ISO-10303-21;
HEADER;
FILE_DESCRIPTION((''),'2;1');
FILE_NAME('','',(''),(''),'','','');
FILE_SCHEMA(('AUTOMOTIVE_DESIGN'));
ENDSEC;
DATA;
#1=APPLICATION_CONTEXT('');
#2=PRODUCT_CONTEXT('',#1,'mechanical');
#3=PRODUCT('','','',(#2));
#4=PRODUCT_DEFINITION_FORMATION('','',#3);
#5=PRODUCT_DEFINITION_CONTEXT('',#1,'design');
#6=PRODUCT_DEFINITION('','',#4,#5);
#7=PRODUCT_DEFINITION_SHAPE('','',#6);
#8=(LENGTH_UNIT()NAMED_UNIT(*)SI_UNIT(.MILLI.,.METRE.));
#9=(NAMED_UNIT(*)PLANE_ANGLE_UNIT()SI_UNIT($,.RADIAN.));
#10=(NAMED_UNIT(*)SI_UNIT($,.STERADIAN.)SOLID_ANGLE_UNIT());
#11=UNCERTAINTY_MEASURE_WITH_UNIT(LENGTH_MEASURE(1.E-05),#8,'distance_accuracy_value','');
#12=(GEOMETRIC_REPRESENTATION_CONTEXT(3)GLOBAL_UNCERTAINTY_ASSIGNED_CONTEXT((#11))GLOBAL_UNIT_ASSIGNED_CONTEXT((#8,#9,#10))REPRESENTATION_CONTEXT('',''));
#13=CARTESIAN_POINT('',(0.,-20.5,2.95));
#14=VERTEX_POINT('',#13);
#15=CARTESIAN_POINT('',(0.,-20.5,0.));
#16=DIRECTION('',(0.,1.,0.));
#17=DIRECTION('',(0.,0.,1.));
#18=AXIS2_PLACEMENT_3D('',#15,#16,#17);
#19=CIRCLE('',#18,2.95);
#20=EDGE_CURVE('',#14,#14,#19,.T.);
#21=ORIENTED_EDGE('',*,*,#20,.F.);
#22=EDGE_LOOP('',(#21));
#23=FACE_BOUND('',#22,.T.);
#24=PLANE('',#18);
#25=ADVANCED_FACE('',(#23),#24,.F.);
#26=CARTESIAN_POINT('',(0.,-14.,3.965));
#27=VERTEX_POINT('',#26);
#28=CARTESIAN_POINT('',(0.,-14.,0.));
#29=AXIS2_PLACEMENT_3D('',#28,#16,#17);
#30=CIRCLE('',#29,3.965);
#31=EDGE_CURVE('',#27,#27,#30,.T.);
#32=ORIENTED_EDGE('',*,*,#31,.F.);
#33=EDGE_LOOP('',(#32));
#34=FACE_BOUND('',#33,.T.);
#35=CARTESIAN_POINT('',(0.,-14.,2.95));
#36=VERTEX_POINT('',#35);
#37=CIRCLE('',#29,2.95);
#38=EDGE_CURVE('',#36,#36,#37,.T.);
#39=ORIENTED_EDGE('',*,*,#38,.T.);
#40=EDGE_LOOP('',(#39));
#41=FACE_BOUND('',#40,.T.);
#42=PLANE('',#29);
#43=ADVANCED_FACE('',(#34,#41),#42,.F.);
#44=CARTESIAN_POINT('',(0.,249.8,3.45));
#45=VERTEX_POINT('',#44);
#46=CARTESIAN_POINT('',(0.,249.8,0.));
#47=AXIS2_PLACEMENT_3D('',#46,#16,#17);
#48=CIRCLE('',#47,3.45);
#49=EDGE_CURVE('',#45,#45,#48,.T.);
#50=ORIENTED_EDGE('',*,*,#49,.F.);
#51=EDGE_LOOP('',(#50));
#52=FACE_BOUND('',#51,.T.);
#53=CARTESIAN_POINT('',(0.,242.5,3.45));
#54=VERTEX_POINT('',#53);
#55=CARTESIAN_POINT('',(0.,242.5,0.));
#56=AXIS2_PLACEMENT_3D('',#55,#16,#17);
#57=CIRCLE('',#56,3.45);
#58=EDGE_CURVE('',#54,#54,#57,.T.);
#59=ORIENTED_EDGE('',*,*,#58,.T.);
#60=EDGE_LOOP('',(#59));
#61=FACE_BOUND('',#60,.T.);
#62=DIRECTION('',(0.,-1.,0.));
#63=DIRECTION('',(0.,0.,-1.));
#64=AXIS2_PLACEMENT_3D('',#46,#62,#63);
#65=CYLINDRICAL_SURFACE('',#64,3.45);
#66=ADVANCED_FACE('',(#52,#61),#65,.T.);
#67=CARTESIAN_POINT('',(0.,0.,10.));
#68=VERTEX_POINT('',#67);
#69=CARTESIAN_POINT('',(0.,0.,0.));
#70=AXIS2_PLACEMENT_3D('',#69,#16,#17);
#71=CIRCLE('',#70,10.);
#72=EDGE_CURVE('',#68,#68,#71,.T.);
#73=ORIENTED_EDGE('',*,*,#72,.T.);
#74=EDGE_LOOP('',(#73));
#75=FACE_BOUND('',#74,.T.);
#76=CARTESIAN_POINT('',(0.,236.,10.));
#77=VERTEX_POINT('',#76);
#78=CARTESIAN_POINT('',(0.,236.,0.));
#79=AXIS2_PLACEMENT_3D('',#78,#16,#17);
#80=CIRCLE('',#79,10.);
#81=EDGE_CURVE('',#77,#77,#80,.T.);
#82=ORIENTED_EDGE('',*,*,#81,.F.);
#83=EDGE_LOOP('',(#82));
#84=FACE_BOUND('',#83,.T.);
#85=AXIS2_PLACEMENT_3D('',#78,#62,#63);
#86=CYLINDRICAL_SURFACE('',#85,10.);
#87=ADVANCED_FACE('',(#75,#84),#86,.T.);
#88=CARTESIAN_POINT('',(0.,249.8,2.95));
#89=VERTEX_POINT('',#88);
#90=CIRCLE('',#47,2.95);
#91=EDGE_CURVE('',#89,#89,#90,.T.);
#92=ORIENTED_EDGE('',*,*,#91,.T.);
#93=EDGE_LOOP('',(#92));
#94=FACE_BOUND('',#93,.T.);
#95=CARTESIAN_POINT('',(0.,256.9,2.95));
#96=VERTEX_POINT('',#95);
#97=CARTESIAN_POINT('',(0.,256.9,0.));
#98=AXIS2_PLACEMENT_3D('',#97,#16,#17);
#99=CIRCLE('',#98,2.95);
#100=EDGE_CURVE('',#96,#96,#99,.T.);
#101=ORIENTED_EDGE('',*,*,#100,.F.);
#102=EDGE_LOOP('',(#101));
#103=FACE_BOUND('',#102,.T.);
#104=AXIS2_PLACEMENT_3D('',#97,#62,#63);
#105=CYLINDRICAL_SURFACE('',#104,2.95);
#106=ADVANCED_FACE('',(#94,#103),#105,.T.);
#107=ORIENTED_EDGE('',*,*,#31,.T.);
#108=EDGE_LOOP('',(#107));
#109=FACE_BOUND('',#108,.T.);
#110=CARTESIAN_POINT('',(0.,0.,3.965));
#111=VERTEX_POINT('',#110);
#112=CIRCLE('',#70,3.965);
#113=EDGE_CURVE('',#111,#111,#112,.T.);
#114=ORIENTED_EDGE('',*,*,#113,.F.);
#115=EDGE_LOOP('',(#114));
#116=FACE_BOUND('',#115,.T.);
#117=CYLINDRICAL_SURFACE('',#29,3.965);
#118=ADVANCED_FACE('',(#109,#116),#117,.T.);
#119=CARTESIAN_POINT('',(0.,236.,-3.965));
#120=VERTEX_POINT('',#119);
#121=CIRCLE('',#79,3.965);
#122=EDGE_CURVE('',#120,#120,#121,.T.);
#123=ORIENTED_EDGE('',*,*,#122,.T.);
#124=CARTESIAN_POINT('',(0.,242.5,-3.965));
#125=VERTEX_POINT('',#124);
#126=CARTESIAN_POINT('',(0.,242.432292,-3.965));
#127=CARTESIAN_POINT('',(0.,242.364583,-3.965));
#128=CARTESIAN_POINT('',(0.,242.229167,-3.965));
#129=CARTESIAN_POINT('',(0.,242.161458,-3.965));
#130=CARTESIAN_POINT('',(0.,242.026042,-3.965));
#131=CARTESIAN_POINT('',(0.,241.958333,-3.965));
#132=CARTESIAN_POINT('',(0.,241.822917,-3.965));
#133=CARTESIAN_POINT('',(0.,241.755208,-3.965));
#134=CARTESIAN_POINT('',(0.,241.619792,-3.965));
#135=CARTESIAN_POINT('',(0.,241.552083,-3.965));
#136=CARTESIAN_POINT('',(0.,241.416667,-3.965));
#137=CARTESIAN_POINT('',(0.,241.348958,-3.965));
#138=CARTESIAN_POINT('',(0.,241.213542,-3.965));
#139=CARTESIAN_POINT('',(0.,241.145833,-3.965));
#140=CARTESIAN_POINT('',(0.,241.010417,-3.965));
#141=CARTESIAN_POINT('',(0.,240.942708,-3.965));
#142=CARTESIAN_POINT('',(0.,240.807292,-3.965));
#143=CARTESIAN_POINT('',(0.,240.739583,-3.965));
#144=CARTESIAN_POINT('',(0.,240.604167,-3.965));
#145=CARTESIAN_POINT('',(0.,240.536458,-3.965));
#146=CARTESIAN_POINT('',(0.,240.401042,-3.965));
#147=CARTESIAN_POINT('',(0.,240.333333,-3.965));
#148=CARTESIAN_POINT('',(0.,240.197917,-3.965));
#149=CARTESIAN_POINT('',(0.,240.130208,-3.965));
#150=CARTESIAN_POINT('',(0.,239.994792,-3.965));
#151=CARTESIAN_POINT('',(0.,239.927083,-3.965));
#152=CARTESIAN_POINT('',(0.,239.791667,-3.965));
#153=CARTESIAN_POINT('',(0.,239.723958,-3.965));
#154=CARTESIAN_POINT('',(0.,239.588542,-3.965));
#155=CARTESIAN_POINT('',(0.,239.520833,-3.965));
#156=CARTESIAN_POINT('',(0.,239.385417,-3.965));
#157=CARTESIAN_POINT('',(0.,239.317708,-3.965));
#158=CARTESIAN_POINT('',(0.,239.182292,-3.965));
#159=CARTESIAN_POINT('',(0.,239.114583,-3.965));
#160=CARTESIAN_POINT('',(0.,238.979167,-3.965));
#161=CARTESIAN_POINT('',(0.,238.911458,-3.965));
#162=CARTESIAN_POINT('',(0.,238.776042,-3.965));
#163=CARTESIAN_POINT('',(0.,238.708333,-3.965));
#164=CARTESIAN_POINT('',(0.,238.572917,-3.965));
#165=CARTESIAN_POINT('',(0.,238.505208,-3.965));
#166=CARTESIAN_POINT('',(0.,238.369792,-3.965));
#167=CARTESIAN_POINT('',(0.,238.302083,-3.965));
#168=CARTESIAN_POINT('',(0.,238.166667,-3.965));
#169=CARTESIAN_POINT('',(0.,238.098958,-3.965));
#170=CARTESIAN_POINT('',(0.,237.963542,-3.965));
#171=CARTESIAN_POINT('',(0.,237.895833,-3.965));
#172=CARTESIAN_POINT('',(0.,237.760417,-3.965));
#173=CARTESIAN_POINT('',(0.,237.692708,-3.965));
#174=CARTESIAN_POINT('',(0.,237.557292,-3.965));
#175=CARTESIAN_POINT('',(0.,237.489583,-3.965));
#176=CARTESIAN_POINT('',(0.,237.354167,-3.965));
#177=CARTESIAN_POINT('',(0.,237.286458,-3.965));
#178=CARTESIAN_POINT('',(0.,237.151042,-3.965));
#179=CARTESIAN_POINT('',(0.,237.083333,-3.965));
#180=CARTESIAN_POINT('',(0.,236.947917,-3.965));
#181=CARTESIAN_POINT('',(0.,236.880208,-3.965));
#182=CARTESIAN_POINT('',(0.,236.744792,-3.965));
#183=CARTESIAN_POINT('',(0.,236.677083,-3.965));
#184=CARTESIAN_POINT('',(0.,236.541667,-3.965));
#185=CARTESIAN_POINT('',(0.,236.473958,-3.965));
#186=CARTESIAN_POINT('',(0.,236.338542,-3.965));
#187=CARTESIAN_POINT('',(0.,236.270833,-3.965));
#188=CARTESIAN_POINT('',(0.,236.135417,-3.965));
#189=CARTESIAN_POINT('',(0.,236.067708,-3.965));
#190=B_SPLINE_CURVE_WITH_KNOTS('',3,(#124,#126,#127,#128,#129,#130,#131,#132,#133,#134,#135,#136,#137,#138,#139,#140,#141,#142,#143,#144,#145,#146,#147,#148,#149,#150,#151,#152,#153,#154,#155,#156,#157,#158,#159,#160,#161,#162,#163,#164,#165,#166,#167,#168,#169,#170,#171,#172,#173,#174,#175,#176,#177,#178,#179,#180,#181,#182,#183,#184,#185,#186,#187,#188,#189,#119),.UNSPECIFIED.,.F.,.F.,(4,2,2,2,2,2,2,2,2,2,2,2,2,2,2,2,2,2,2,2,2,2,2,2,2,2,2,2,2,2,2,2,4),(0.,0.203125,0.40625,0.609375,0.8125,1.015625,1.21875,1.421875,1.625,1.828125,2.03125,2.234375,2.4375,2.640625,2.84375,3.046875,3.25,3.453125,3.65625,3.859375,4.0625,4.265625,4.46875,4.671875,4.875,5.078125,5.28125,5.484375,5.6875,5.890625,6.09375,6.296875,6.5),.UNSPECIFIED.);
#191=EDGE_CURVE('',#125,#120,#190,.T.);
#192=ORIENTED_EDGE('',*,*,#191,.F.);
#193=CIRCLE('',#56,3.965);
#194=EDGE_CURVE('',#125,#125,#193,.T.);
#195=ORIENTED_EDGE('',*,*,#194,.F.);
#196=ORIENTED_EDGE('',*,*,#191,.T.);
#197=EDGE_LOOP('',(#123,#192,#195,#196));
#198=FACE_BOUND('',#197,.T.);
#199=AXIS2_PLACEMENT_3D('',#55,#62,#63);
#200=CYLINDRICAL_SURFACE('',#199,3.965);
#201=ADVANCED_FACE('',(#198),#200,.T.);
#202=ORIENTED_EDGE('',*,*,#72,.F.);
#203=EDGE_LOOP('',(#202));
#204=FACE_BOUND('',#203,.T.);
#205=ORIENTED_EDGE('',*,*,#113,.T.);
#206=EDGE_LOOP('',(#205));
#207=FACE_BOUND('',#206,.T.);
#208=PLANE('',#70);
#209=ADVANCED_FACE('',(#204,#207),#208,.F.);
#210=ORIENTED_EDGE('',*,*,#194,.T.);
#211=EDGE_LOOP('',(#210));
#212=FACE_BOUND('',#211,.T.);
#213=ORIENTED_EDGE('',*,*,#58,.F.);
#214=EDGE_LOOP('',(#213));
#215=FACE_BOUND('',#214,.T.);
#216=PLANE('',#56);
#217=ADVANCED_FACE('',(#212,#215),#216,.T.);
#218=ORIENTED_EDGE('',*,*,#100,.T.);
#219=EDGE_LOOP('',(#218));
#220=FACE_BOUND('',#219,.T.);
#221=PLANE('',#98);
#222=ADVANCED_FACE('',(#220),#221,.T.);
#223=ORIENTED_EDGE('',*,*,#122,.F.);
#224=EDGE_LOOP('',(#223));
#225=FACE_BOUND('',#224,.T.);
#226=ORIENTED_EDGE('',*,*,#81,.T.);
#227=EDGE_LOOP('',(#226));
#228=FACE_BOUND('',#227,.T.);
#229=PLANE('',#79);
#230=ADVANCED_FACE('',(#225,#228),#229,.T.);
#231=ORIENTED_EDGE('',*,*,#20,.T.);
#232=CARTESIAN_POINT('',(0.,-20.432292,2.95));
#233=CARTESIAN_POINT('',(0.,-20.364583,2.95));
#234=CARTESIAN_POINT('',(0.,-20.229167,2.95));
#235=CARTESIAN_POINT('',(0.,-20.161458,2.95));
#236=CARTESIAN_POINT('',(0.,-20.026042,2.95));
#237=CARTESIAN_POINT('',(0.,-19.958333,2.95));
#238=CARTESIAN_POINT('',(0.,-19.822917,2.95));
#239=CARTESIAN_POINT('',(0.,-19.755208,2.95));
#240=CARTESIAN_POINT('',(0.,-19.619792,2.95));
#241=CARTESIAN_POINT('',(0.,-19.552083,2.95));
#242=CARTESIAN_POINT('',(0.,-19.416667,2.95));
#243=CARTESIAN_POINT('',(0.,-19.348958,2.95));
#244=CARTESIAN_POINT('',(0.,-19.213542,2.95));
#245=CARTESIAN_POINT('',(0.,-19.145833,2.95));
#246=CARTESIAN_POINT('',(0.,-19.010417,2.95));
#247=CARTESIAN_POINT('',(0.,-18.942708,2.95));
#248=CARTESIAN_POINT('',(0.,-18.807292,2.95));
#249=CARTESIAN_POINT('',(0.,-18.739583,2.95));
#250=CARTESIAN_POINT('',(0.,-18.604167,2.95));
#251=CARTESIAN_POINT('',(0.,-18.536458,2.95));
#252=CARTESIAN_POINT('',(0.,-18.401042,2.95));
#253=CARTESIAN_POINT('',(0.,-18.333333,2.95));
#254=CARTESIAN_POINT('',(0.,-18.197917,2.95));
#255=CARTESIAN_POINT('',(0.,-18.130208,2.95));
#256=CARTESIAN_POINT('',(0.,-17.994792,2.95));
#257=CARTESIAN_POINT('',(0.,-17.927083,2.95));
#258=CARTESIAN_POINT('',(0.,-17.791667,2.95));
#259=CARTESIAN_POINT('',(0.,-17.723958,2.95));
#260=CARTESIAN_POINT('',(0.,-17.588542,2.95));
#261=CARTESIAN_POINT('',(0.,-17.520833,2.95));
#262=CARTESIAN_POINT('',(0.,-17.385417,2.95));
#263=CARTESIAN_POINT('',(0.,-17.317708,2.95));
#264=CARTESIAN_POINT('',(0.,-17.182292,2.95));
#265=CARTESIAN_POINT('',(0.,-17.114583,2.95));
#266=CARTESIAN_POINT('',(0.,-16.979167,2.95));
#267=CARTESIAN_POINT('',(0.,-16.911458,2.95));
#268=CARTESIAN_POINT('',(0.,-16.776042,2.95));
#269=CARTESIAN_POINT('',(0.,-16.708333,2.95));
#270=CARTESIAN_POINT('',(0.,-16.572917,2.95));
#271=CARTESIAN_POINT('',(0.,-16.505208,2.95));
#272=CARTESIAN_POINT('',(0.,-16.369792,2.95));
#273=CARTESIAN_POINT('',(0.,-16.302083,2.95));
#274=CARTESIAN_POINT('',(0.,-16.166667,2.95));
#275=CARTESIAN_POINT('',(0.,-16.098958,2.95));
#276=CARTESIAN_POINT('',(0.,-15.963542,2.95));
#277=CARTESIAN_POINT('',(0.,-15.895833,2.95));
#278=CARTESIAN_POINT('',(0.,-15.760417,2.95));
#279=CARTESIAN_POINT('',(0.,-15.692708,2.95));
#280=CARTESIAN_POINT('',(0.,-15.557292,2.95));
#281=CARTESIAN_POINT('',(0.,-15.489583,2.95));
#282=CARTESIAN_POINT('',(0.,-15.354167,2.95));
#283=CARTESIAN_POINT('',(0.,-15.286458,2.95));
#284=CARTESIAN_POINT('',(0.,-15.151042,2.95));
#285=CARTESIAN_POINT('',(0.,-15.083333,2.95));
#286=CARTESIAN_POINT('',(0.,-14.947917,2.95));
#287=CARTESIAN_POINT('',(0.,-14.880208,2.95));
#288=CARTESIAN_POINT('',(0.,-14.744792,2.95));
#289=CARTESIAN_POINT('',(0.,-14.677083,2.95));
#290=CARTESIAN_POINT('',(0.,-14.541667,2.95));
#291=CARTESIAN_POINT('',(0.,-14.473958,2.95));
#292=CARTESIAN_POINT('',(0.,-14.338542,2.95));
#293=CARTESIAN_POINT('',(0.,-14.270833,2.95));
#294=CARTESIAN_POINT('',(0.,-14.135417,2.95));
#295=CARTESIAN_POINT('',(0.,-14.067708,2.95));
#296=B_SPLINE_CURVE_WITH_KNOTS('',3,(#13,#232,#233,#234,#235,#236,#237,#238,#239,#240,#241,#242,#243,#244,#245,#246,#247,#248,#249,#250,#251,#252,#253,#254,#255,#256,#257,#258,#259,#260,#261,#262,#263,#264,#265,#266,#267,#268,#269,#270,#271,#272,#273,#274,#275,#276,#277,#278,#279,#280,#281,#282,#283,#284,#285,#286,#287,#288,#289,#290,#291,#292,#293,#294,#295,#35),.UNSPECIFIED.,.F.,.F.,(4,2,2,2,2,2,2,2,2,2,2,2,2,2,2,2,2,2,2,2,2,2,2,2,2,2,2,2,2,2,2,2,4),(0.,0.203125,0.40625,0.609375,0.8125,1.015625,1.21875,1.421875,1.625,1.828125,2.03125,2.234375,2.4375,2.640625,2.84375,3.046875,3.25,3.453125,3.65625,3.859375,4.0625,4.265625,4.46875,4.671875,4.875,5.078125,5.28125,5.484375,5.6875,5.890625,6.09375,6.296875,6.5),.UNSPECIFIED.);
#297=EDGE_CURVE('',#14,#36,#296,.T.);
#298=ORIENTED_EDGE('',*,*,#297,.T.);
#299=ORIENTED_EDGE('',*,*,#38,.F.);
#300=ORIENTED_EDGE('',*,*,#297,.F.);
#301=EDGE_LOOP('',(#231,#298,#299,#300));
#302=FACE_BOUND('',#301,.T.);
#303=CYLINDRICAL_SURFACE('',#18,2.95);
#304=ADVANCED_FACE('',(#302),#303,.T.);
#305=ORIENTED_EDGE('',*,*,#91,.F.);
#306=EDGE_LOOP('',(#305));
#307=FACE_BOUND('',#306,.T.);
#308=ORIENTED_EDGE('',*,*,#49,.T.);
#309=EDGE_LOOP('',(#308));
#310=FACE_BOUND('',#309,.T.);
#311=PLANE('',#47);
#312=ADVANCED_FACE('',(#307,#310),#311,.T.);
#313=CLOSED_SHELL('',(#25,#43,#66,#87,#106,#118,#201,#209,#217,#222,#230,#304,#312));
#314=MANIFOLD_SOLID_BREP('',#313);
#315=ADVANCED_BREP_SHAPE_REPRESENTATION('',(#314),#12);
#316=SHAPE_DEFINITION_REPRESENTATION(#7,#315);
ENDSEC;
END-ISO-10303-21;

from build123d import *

# Parameters (mm, degrees)
SKETCH1_R            = 10
BOSS_EXTRUDE8_DEPTH  = 236
SKETCH1_9_R          = 3.965
BOSS_EXTRUDE9_DEPTH  = 14
BOSS_EXTRUDE10_START = -14
SKETCH1_10_R         = 2.95
BOSS_EXTRUDE10_DEPTH = 6.5
BOSS_EXTRUDE11_START = 242.5
SKETCH1_11_R         = 3.965
BOSS_EXTRUDE11_DEPTH = 6.5
BOSS_EXTRUDE12_START = 242.5
SKETCH1_12_R         = 3.45
BOSS_EXTRUDE12_DEPTH = 7.3
BOSS_EXTRUDE13_START = 256.9
SKETCH1_13_R         = 2.95
BOSS_EXTRUDE13_DEPTH = 7.1


with BuildPart() as part:
    # Sketch1 → Boss-Extrude8 (new body)
    with BuildSketch(Plane(origin=(0, 0, 0), x_dir=(1, 0, 0), z_dir=(0, 1, 0))):
        with Locations(Location((0, 0, 0), (0, 0, 270))):
            Circle(SKETCH1_R)
    extrude(amount=BOSS_EXTRUDE8_DEPTH)

    # Sketch1<9> → Boss-Extrude9 (add)
    with BuildSketch(Plane(origin=(0, 0, 0), x_dir=(1, 0, 0), z_dir=(0, 1, 0))):
        with Locations(Location((0, 0, 0), (0, 0, 270))):
            Circle(SKETCH1_9_R)
    extrude(amount=-BOSS_EXTRUDE9_DEPTH)

    # Sketch1<10> → Boss-Extrude10 (add)
    with BuildSketch(Plane(origin=(0, 0, 0), x_dir=(1, 0, 0), z_dir=(0, 1, 0)).offset(BOSS_EXTRUDE10_START)):
        with Locations(Location((0, 0, 0), (0, 0, 270))):
            Circle(SKETCH1_10_R)
    extrude(amount=-BOSS_EXTRUDE10_DEPTH)

    # Sketch1<11> → Boss-Extrude11 (add)
    with BuildSketch(Plane(origin=(0, 0, 0), x_dir=(1, 0, 0), z_dir=(0, 1, 0)).offset(BOSS_EXTRUDE11_START)):
        with Locations(Location((0, 0, 0), (0, 0, 270))):
            Circle(SKETCH1_11_R)
    extrude(amount=-BOSS_EXTRUDE11_DEPTH)

    # Sketch1<12> → Boss-Extrude12 (add)
    with BuildSketch(Plane(origin=(0, 0, 0), x_dir=(1, 0, 0), z_dir=(0, 1, 0)).offset(BOSS_EXTRUDE12_START)):
        with Locations(Location((0, 0, 0), (0, 0, 270))):
            Circle(SKETCH1_12_R)
    extrude(amount=BOSS_EXTRUDE12_DEPTH)

    # Sketch1<13> → Boss-Extrude13 (add)
    with BuildSketch(Plane(origin=(0, 0, 0), x_dir=(1, 0, 0), z_dir=(0, 1, 0)).offset(BOSS_EXTRUDE13_START)):
        with Locations(Location((0, 0, 0), (0, 0, 270))):
            Circle(SKETCH1_13_R)
    extrude(amount=-BOSS_EXTRUDE13_DEPTH)


solid = part.part
